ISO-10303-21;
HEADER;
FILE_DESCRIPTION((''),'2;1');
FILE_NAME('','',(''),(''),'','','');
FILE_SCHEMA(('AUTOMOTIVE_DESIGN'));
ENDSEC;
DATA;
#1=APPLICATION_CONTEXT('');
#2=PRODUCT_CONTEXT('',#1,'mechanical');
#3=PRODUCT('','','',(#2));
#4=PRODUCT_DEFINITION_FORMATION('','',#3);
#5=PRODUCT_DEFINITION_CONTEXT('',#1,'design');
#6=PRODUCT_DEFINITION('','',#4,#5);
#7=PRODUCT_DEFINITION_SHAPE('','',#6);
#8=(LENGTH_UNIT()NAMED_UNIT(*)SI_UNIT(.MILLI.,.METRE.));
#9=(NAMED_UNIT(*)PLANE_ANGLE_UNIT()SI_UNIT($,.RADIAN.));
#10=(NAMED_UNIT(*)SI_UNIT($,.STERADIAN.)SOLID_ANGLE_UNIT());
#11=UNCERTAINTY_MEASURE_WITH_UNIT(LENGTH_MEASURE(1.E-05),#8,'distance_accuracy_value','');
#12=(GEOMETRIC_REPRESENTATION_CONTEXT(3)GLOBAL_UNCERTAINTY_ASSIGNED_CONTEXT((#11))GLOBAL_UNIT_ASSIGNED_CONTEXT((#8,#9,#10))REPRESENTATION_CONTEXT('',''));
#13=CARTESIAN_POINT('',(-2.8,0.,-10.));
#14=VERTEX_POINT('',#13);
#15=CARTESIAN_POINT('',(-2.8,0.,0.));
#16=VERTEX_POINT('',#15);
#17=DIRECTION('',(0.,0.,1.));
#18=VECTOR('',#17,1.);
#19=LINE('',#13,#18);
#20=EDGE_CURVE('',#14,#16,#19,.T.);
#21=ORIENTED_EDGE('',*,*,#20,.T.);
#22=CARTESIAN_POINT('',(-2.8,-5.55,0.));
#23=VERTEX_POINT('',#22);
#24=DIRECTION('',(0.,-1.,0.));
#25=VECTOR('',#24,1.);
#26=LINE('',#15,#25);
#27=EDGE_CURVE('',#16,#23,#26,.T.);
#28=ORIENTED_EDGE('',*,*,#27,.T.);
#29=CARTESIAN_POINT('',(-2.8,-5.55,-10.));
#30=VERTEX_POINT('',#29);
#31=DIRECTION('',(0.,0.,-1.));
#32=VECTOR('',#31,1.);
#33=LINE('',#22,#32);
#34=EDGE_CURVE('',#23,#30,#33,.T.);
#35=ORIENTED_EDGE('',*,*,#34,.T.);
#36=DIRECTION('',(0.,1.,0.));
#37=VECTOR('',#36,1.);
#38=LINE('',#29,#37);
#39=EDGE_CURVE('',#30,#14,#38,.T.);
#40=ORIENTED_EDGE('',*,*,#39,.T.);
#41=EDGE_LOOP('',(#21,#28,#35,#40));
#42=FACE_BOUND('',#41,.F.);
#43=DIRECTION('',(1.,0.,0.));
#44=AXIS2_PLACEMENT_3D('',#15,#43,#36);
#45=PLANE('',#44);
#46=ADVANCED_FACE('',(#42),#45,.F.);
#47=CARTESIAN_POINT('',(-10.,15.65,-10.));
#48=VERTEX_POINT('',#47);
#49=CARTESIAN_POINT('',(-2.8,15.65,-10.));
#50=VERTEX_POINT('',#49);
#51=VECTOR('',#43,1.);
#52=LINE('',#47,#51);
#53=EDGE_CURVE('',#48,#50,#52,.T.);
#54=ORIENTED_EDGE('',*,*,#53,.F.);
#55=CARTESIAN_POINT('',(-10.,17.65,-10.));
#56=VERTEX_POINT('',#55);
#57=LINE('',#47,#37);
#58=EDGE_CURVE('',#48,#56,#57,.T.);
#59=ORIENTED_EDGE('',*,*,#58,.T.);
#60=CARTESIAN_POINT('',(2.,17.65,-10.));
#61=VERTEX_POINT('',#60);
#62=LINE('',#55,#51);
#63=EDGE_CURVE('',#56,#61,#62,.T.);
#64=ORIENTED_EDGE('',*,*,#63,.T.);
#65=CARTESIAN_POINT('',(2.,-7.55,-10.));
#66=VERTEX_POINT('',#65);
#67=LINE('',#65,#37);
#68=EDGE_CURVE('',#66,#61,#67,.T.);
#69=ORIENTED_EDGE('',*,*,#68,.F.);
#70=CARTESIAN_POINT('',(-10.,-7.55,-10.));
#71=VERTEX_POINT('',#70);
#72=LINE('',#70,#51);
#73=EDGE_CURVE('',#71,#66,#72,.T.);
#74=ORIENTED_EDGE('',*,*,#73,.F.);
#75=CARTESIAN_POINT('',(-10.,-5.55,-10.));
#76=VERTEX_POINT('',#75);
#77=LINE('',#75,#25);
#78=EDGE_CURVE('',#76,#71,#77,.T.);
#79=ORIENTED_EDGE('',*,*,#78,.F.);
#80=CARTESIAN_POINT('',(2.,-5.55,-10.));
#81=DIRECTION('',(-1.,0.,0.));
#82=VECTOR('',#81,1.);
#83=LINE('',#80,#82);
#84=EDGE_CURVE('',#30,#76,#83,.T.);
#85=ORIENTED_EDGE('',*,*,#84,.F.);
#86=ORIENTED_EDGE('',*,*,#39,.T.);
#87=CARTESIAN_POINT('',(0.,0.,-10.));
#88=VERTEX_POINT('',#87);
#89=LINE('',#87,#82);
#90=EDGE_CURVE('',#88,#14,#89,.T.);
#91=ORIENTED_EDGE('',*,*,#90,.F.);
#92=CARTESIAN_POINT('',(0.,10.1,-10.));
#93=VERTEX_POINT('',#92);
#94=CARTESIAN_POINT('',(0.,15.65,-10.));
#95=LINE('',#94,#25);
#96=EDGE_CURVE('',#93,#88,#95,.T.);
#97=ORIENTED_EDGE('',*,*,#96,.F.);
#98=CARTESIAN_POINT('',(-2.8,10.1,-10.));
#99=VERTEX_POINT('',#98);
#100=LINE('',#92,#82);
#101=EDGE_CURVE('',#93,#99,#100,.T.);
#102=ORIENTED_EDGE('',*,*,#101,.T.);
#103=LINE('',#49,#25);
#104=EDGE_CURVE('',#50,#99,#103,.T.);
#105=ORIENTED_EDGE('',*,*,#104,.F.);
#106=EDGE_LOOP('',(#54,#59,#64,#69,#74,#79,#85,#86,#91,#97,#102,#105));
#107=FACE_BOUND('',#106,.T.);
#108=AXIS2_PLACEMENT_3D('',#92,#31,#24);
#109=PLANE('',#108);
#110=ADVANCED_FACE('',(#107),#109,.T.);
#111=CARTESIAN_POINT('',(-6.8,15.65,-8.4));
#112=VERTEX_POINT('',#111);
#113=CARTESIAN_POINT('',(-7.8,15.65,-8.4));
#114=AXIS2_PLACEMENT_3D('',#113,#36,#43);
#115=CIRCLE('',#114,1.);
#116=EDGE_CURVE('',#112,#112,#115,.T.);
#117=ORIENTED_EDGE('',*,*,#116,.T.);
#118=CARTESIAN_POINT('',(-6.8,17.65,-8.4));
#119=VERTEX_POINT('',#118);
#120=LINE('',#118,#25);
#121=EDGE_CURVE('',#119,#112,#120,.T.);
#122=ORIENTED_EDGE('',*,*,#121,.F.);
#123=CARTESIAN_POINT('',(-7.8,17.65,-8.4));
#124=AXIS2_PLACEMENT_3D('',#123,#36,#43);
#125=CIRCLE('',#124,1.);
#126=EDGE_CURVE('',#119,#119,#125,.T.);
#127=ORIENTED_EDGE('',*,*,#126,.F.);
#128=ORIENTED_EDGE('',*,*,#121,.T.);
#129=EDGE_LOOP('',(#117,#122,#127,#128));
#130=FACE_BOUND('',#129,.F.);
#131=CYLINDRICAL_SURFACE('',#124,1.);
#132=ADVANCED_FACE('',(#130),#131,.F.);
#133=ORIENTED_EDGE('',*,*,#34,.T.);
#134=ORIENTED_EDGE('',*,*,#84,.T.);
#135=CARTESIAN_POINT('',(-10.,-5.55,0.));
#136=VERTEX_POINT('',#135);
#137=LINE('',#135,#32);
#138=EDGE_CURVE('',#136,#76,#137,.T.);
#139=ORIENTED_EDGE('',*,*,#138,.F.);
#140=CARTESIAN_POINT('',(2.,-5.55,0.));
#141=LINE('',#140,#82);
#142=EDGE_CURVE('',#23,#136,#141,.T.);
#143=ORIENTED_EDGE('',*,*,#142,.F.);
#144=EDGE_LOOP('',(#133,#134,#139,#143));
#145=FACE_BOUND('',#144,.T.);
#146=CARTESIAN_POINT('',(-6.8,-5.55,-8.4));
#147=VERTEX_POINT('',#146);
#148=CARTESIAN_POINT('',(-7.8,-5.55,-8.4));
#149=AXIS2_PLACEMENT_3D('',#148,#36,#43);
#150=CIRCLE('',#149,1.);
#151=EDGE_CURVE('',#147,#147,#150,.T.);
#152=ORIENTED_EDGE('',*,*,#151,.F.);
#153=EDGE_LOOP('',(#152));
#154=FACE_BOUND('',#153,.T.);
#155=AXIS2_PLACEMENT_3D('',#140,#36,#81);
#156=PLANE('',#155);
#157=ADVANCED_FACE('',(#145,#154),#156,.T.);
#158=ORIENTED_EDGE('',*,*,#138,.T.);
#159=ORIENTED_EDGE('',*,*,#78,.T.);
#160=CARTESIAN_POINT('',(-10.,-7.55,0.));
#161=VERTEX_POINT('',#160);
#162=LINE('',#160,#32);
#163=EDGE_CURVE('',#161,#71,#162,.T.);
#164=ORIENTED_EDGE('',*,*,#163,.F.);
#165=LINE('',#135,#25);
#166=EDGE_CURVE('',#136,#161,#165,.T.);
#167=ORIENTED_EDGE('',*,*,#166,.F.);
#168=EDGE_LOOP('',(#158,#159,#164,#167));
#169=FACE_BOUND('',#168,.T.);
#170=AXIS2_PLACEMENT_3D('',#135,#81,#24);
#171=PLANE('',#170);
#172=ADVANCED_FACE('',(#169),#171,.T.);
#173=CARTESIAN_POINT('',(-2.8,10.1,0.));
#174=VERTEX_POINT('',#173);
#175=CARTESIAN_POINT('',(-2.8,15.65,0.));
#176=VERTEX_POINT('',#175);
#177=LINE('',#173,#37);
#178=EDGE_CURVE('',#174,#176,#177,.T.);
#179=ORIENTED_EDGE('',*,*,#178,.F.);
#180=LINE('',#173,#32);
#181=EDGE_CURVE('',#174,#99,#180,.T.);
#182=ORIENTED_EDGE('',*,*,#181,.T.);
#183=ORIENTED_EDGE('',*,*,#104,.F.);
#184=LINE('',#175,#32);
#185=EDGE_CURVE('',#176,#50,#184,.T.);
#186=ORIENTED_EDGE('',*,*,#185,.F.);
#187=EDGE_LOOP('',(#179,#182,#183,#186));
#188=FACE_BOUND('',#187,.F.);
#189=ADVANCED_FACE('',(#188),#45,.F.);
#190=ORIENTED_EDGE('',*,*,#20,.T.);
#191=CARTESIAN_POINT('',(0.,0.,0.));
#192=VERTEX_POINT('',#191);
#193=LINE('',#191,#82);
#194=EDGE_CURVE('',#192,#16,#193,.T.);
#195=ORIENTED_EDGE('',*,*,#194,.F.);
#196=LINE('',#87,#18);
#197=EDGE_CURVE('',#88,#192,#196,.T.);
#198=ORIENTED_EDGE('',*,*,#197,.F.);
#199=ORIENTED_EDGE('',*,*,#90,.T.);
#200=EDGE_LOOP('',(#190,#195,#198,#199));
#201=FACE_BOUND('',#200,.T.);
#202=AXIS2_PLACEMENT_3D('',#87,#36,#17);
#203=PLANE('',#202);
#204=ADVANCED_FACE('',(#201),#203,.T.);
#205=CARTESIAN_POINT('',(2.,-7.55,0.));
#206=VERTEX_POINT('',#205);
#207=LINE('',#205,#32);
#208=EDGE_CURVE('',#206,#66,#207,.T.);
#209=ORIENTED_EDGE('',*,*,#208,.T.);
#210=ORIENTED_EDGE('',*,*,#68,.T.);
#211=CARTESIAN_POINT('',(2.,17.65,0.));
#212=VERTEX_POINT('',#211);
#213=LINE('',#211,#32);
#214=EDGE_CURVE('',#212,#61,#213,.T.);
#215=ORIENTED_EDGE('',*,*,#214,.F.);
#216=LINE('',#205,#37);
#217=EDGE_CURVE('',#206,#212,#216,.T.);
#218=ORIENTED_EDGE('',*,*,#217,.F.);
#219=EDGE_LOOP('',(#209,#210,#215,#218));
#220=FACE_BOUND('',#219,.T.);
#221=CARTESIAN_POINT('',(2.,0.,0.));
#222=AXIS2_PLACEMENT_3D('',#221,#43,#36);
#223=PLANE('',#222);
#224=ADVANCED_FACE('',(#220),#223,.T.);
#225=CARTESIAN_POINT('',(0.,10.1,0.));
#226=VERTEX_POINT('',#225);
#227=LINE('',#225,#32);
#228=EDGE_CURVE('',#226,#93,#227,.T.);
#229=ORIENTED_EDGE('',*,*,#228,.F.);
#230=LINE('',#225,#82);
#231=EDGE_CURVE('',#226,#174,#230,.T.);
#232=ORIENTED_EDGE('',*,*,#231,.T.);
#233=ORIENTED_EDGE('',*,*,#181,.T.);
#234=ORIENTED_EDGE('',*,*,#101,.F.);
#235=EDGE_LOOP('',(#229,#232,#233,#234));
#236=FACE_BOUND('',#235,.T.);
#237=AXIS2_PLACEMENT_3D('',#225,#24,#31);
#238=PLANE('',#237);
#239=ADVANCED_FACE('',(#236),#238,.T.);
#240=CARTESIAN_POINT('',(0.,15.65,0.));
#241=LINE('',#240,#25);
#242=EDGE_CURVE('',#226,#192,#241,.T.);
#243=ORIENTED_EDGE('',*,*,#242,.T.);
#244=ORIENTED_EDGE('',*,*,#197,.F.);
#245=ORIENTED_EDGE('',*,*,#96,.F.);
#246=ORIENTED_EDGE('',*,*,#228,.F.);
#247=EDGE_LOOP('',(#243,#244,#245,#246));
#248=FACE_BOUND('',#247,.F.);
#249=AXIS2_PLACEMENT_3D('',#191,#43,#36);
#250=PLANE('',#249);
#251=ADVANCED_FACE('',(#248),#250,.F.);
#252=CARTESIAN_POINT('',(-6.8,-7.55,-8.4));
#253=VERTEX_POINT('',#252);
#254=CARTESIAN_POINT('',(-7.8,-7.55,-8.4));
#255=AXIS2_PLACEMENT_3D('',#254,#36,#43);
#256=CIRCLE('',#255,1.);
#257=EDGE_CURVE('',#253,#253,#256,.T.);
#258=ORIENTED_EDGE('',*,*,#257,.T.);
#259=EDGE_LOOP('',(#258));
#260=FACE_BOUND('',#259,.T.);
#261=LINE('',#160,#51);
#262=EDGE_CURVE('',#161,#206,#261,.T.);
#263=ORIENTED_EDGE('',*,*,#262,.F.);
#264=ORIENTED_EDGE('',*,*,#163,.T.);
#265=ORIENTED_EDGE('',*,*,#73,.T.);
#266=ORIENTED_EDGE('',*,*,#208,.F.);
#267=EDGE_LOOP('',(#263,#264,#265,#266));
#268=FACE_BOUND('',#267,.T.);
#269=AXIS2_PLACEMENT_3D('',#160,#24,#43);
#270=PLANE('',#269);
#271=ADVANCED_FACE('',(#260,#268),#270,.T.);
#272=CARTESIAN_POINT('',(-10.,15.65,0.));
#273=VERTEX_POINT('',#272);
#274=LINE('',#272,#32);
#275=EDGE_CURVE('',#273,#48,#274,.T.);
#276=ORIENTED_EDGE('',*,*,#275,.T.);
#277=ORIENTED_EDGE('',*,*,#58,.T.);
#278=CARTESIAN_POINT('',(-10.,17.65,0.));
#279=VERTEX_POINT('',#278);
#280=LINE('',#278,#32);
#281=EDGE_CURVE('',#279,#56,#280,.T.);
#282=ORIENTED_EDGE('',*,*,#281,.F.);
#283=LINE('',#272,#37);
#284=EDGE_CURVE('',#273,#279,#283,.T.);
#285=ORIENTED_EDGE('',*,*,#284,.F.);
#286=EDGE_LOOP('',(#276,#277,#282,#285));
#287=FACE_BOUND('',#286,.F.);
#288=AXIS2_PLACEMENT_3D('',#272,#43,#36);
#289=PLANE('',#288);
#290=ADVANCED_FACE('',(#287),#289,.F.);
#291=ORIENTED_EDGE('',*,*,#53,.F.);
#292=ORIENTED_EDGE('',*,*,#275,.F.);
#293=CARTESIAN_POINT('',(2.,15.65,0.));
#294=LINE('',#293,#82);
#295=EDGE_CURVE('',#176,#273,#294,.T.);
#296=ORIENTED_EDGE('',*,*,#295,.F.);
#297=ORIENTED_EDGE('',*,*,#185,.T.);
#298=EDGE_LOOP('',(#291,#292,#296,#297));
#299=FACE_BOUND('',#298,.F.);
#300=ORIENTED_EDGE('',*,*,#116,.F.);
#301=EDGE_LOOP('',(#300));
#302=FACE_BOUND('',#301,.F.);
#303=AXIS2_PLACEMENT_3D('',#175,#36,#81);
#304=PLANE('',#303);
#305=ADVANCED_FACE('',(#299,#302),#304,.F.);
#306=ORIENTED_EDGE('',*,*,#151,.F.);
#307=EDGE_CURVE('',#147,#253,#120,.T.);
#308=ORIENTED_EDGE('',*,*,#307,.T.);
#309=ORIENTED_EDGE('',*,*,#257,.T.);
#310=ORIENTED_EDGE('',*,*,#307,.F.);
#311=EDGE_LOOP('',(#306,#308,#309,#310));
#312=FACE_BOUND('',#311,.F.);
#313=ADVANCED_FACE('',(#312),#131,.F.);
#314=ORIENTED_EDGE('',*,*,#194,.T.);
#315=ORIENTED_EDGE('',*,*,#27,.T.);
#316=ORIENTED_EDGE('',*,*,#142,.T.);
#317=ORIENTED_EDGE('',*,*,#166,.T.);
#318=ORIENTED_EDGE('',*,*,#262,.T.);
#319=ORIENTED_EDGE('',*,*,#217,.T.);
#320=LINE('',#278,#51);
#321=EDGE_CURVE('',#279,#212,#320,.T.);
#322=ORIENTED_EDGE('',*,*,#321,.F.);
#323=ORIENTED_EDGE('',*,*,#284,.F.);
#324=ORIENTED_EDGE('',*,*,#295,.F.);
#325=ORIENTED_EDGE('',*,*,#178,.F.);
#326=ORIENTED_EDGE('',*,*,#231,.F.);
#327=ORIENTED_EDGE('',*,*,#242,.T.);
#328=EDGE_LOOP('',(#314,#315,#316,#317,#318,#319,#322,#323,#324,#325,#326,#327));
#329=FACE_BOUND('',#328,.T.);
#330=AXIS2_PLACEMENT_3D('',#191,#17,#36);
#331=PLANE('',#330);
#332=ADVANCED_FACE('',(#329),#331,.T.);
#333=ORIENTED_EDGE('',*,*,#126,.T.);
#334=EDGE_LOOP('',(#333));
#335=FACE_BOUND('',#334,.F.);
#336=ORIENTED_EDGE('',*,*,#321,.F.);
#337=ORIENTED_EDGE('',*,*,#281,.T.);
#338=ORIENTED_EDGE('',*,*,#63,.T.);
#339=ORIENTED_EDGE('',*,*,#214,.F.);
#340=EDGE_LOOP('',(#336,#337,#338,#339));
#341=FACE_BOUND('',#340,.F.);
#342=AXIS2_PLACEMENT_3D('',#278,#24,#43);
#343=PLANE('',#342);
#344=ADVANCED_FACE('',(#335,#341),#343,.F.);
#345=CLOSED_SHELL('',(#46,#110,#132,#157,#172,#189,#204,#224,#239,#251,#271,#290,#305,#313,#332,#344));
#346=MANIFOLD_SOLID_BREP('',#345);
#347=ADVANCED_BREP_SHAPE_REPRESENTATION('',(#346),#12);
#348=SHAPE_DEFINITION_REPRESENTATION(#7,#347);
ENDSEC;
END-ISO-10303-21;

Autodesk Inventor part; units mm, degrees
ref_plane "YZ Plane" through (0, 0, 0) normal (1, 0, 0) x (0, 1, 0)
ref_plane "XZ Plane" through (0, 0, 0) normal (0, 1, 0) x (-1, 0, 0)
ref_plane "XY Plane" through (0, 0, 0) normal (0, 0, 1) x (1, 0, 0)
sketch "Sketch1" plane through (0, 0, 0) normal (1, 0, 0) x (0, 1, 0)
  line L0 (0, 0) -> (10.1, 0)
  line L1 (10.1, 0) -> (10.1, -10)
  line L2 (10.1, -10) -> (0, -10)
  line L3 (0, -10) -> (0, 0)
  line L4 (10.1, 0) -> (15.65, 0)
  line L5 (15.65, 0) -> (15.65, -10)
  line L6 (15.65, -10) -> (10.1, -10)
  line L7 (10.1, -10) -> (10.1, 0)
  line L8 (0, 0) -> (-5.55, 0)
  line L9 (-5.55, 0) -> (-5.55, -10)
  line L10 (-5.55, -10) -> (0, -10)
  line L11 (0, -10) -> (0, 0)
  dimension "d0" = 10.1
  dimension "d1" = 10
  dimension "d2" = 5.55
  dimension "d3" = 5.55
extrude "Extrusion1" add sketch "Sketch1" along normal blind 2
extrude "Extrusion2" add sketch "Sketch1" against normal blind 2.8 contours L3 L10 L9 L8 | L4 L5 L6 L1
sketch "Sketch2" plane through (2, -5.55, 0) normal (0, 0, 1) x (1, 0, 0)
  line L0 (-4.8, 21.2) -> (0, 21.2) projected
  line L1 (0, 21.2) -> (-12, 21.2)
  line L2 (-12, 21.2) -> (-12, 23.2)
  line L3 (-12, 23.2) -> (0, 23.2)
  line L4 (0, 23.2) -> (0, 21.2)
  line L5 (0, 0) -> (0, 21.2) projected
  line L6 (0, 0) -> (-12, 0)
  line L7 (-12, 0) -> (-12, -2)
  line L8 (-12, -2) -> (0, -2)
  line L9 (0, -2) -> (0, 0)
  point P0 (-2, 5.55)
  dimension "d8" = 12
  dimension "d9" = 2
  dimension "d10" = 12
  dimension "d11" = 2
extrude "Extrusion3" add sketch "Sketch2" against normal blind 10
sketch "Sketch3" plane through (-10, 17.65, 0) normal (0, 1, 0) x (1, 0, 0)
  line L0 (0, 10) -> (7.2, 10) projected
  line L1 (0, 10) -> (3.2, 10)
  line L2 (3.2, 10) -> (3.2, 6.8)
  line L3 (3.2, 6.8) -> (0, 6.8)
  line L4 (0, 6.8) -> (0, 10)
  line L5 (3.2, 8.4) -> (2.2, 8.4)
  circle A0 centre (2.2, 8.4) radius 1
  point P0 (10, 0)
  dimension "d14" = 3.2
  dimension "d15" = 3.2
  dimension "d16" = 1
extrude "Extrusion4" cut sketch "Sketch3" against normal up to surface (25.2 mm away) contours A0
properties part number "measuring_support2"
